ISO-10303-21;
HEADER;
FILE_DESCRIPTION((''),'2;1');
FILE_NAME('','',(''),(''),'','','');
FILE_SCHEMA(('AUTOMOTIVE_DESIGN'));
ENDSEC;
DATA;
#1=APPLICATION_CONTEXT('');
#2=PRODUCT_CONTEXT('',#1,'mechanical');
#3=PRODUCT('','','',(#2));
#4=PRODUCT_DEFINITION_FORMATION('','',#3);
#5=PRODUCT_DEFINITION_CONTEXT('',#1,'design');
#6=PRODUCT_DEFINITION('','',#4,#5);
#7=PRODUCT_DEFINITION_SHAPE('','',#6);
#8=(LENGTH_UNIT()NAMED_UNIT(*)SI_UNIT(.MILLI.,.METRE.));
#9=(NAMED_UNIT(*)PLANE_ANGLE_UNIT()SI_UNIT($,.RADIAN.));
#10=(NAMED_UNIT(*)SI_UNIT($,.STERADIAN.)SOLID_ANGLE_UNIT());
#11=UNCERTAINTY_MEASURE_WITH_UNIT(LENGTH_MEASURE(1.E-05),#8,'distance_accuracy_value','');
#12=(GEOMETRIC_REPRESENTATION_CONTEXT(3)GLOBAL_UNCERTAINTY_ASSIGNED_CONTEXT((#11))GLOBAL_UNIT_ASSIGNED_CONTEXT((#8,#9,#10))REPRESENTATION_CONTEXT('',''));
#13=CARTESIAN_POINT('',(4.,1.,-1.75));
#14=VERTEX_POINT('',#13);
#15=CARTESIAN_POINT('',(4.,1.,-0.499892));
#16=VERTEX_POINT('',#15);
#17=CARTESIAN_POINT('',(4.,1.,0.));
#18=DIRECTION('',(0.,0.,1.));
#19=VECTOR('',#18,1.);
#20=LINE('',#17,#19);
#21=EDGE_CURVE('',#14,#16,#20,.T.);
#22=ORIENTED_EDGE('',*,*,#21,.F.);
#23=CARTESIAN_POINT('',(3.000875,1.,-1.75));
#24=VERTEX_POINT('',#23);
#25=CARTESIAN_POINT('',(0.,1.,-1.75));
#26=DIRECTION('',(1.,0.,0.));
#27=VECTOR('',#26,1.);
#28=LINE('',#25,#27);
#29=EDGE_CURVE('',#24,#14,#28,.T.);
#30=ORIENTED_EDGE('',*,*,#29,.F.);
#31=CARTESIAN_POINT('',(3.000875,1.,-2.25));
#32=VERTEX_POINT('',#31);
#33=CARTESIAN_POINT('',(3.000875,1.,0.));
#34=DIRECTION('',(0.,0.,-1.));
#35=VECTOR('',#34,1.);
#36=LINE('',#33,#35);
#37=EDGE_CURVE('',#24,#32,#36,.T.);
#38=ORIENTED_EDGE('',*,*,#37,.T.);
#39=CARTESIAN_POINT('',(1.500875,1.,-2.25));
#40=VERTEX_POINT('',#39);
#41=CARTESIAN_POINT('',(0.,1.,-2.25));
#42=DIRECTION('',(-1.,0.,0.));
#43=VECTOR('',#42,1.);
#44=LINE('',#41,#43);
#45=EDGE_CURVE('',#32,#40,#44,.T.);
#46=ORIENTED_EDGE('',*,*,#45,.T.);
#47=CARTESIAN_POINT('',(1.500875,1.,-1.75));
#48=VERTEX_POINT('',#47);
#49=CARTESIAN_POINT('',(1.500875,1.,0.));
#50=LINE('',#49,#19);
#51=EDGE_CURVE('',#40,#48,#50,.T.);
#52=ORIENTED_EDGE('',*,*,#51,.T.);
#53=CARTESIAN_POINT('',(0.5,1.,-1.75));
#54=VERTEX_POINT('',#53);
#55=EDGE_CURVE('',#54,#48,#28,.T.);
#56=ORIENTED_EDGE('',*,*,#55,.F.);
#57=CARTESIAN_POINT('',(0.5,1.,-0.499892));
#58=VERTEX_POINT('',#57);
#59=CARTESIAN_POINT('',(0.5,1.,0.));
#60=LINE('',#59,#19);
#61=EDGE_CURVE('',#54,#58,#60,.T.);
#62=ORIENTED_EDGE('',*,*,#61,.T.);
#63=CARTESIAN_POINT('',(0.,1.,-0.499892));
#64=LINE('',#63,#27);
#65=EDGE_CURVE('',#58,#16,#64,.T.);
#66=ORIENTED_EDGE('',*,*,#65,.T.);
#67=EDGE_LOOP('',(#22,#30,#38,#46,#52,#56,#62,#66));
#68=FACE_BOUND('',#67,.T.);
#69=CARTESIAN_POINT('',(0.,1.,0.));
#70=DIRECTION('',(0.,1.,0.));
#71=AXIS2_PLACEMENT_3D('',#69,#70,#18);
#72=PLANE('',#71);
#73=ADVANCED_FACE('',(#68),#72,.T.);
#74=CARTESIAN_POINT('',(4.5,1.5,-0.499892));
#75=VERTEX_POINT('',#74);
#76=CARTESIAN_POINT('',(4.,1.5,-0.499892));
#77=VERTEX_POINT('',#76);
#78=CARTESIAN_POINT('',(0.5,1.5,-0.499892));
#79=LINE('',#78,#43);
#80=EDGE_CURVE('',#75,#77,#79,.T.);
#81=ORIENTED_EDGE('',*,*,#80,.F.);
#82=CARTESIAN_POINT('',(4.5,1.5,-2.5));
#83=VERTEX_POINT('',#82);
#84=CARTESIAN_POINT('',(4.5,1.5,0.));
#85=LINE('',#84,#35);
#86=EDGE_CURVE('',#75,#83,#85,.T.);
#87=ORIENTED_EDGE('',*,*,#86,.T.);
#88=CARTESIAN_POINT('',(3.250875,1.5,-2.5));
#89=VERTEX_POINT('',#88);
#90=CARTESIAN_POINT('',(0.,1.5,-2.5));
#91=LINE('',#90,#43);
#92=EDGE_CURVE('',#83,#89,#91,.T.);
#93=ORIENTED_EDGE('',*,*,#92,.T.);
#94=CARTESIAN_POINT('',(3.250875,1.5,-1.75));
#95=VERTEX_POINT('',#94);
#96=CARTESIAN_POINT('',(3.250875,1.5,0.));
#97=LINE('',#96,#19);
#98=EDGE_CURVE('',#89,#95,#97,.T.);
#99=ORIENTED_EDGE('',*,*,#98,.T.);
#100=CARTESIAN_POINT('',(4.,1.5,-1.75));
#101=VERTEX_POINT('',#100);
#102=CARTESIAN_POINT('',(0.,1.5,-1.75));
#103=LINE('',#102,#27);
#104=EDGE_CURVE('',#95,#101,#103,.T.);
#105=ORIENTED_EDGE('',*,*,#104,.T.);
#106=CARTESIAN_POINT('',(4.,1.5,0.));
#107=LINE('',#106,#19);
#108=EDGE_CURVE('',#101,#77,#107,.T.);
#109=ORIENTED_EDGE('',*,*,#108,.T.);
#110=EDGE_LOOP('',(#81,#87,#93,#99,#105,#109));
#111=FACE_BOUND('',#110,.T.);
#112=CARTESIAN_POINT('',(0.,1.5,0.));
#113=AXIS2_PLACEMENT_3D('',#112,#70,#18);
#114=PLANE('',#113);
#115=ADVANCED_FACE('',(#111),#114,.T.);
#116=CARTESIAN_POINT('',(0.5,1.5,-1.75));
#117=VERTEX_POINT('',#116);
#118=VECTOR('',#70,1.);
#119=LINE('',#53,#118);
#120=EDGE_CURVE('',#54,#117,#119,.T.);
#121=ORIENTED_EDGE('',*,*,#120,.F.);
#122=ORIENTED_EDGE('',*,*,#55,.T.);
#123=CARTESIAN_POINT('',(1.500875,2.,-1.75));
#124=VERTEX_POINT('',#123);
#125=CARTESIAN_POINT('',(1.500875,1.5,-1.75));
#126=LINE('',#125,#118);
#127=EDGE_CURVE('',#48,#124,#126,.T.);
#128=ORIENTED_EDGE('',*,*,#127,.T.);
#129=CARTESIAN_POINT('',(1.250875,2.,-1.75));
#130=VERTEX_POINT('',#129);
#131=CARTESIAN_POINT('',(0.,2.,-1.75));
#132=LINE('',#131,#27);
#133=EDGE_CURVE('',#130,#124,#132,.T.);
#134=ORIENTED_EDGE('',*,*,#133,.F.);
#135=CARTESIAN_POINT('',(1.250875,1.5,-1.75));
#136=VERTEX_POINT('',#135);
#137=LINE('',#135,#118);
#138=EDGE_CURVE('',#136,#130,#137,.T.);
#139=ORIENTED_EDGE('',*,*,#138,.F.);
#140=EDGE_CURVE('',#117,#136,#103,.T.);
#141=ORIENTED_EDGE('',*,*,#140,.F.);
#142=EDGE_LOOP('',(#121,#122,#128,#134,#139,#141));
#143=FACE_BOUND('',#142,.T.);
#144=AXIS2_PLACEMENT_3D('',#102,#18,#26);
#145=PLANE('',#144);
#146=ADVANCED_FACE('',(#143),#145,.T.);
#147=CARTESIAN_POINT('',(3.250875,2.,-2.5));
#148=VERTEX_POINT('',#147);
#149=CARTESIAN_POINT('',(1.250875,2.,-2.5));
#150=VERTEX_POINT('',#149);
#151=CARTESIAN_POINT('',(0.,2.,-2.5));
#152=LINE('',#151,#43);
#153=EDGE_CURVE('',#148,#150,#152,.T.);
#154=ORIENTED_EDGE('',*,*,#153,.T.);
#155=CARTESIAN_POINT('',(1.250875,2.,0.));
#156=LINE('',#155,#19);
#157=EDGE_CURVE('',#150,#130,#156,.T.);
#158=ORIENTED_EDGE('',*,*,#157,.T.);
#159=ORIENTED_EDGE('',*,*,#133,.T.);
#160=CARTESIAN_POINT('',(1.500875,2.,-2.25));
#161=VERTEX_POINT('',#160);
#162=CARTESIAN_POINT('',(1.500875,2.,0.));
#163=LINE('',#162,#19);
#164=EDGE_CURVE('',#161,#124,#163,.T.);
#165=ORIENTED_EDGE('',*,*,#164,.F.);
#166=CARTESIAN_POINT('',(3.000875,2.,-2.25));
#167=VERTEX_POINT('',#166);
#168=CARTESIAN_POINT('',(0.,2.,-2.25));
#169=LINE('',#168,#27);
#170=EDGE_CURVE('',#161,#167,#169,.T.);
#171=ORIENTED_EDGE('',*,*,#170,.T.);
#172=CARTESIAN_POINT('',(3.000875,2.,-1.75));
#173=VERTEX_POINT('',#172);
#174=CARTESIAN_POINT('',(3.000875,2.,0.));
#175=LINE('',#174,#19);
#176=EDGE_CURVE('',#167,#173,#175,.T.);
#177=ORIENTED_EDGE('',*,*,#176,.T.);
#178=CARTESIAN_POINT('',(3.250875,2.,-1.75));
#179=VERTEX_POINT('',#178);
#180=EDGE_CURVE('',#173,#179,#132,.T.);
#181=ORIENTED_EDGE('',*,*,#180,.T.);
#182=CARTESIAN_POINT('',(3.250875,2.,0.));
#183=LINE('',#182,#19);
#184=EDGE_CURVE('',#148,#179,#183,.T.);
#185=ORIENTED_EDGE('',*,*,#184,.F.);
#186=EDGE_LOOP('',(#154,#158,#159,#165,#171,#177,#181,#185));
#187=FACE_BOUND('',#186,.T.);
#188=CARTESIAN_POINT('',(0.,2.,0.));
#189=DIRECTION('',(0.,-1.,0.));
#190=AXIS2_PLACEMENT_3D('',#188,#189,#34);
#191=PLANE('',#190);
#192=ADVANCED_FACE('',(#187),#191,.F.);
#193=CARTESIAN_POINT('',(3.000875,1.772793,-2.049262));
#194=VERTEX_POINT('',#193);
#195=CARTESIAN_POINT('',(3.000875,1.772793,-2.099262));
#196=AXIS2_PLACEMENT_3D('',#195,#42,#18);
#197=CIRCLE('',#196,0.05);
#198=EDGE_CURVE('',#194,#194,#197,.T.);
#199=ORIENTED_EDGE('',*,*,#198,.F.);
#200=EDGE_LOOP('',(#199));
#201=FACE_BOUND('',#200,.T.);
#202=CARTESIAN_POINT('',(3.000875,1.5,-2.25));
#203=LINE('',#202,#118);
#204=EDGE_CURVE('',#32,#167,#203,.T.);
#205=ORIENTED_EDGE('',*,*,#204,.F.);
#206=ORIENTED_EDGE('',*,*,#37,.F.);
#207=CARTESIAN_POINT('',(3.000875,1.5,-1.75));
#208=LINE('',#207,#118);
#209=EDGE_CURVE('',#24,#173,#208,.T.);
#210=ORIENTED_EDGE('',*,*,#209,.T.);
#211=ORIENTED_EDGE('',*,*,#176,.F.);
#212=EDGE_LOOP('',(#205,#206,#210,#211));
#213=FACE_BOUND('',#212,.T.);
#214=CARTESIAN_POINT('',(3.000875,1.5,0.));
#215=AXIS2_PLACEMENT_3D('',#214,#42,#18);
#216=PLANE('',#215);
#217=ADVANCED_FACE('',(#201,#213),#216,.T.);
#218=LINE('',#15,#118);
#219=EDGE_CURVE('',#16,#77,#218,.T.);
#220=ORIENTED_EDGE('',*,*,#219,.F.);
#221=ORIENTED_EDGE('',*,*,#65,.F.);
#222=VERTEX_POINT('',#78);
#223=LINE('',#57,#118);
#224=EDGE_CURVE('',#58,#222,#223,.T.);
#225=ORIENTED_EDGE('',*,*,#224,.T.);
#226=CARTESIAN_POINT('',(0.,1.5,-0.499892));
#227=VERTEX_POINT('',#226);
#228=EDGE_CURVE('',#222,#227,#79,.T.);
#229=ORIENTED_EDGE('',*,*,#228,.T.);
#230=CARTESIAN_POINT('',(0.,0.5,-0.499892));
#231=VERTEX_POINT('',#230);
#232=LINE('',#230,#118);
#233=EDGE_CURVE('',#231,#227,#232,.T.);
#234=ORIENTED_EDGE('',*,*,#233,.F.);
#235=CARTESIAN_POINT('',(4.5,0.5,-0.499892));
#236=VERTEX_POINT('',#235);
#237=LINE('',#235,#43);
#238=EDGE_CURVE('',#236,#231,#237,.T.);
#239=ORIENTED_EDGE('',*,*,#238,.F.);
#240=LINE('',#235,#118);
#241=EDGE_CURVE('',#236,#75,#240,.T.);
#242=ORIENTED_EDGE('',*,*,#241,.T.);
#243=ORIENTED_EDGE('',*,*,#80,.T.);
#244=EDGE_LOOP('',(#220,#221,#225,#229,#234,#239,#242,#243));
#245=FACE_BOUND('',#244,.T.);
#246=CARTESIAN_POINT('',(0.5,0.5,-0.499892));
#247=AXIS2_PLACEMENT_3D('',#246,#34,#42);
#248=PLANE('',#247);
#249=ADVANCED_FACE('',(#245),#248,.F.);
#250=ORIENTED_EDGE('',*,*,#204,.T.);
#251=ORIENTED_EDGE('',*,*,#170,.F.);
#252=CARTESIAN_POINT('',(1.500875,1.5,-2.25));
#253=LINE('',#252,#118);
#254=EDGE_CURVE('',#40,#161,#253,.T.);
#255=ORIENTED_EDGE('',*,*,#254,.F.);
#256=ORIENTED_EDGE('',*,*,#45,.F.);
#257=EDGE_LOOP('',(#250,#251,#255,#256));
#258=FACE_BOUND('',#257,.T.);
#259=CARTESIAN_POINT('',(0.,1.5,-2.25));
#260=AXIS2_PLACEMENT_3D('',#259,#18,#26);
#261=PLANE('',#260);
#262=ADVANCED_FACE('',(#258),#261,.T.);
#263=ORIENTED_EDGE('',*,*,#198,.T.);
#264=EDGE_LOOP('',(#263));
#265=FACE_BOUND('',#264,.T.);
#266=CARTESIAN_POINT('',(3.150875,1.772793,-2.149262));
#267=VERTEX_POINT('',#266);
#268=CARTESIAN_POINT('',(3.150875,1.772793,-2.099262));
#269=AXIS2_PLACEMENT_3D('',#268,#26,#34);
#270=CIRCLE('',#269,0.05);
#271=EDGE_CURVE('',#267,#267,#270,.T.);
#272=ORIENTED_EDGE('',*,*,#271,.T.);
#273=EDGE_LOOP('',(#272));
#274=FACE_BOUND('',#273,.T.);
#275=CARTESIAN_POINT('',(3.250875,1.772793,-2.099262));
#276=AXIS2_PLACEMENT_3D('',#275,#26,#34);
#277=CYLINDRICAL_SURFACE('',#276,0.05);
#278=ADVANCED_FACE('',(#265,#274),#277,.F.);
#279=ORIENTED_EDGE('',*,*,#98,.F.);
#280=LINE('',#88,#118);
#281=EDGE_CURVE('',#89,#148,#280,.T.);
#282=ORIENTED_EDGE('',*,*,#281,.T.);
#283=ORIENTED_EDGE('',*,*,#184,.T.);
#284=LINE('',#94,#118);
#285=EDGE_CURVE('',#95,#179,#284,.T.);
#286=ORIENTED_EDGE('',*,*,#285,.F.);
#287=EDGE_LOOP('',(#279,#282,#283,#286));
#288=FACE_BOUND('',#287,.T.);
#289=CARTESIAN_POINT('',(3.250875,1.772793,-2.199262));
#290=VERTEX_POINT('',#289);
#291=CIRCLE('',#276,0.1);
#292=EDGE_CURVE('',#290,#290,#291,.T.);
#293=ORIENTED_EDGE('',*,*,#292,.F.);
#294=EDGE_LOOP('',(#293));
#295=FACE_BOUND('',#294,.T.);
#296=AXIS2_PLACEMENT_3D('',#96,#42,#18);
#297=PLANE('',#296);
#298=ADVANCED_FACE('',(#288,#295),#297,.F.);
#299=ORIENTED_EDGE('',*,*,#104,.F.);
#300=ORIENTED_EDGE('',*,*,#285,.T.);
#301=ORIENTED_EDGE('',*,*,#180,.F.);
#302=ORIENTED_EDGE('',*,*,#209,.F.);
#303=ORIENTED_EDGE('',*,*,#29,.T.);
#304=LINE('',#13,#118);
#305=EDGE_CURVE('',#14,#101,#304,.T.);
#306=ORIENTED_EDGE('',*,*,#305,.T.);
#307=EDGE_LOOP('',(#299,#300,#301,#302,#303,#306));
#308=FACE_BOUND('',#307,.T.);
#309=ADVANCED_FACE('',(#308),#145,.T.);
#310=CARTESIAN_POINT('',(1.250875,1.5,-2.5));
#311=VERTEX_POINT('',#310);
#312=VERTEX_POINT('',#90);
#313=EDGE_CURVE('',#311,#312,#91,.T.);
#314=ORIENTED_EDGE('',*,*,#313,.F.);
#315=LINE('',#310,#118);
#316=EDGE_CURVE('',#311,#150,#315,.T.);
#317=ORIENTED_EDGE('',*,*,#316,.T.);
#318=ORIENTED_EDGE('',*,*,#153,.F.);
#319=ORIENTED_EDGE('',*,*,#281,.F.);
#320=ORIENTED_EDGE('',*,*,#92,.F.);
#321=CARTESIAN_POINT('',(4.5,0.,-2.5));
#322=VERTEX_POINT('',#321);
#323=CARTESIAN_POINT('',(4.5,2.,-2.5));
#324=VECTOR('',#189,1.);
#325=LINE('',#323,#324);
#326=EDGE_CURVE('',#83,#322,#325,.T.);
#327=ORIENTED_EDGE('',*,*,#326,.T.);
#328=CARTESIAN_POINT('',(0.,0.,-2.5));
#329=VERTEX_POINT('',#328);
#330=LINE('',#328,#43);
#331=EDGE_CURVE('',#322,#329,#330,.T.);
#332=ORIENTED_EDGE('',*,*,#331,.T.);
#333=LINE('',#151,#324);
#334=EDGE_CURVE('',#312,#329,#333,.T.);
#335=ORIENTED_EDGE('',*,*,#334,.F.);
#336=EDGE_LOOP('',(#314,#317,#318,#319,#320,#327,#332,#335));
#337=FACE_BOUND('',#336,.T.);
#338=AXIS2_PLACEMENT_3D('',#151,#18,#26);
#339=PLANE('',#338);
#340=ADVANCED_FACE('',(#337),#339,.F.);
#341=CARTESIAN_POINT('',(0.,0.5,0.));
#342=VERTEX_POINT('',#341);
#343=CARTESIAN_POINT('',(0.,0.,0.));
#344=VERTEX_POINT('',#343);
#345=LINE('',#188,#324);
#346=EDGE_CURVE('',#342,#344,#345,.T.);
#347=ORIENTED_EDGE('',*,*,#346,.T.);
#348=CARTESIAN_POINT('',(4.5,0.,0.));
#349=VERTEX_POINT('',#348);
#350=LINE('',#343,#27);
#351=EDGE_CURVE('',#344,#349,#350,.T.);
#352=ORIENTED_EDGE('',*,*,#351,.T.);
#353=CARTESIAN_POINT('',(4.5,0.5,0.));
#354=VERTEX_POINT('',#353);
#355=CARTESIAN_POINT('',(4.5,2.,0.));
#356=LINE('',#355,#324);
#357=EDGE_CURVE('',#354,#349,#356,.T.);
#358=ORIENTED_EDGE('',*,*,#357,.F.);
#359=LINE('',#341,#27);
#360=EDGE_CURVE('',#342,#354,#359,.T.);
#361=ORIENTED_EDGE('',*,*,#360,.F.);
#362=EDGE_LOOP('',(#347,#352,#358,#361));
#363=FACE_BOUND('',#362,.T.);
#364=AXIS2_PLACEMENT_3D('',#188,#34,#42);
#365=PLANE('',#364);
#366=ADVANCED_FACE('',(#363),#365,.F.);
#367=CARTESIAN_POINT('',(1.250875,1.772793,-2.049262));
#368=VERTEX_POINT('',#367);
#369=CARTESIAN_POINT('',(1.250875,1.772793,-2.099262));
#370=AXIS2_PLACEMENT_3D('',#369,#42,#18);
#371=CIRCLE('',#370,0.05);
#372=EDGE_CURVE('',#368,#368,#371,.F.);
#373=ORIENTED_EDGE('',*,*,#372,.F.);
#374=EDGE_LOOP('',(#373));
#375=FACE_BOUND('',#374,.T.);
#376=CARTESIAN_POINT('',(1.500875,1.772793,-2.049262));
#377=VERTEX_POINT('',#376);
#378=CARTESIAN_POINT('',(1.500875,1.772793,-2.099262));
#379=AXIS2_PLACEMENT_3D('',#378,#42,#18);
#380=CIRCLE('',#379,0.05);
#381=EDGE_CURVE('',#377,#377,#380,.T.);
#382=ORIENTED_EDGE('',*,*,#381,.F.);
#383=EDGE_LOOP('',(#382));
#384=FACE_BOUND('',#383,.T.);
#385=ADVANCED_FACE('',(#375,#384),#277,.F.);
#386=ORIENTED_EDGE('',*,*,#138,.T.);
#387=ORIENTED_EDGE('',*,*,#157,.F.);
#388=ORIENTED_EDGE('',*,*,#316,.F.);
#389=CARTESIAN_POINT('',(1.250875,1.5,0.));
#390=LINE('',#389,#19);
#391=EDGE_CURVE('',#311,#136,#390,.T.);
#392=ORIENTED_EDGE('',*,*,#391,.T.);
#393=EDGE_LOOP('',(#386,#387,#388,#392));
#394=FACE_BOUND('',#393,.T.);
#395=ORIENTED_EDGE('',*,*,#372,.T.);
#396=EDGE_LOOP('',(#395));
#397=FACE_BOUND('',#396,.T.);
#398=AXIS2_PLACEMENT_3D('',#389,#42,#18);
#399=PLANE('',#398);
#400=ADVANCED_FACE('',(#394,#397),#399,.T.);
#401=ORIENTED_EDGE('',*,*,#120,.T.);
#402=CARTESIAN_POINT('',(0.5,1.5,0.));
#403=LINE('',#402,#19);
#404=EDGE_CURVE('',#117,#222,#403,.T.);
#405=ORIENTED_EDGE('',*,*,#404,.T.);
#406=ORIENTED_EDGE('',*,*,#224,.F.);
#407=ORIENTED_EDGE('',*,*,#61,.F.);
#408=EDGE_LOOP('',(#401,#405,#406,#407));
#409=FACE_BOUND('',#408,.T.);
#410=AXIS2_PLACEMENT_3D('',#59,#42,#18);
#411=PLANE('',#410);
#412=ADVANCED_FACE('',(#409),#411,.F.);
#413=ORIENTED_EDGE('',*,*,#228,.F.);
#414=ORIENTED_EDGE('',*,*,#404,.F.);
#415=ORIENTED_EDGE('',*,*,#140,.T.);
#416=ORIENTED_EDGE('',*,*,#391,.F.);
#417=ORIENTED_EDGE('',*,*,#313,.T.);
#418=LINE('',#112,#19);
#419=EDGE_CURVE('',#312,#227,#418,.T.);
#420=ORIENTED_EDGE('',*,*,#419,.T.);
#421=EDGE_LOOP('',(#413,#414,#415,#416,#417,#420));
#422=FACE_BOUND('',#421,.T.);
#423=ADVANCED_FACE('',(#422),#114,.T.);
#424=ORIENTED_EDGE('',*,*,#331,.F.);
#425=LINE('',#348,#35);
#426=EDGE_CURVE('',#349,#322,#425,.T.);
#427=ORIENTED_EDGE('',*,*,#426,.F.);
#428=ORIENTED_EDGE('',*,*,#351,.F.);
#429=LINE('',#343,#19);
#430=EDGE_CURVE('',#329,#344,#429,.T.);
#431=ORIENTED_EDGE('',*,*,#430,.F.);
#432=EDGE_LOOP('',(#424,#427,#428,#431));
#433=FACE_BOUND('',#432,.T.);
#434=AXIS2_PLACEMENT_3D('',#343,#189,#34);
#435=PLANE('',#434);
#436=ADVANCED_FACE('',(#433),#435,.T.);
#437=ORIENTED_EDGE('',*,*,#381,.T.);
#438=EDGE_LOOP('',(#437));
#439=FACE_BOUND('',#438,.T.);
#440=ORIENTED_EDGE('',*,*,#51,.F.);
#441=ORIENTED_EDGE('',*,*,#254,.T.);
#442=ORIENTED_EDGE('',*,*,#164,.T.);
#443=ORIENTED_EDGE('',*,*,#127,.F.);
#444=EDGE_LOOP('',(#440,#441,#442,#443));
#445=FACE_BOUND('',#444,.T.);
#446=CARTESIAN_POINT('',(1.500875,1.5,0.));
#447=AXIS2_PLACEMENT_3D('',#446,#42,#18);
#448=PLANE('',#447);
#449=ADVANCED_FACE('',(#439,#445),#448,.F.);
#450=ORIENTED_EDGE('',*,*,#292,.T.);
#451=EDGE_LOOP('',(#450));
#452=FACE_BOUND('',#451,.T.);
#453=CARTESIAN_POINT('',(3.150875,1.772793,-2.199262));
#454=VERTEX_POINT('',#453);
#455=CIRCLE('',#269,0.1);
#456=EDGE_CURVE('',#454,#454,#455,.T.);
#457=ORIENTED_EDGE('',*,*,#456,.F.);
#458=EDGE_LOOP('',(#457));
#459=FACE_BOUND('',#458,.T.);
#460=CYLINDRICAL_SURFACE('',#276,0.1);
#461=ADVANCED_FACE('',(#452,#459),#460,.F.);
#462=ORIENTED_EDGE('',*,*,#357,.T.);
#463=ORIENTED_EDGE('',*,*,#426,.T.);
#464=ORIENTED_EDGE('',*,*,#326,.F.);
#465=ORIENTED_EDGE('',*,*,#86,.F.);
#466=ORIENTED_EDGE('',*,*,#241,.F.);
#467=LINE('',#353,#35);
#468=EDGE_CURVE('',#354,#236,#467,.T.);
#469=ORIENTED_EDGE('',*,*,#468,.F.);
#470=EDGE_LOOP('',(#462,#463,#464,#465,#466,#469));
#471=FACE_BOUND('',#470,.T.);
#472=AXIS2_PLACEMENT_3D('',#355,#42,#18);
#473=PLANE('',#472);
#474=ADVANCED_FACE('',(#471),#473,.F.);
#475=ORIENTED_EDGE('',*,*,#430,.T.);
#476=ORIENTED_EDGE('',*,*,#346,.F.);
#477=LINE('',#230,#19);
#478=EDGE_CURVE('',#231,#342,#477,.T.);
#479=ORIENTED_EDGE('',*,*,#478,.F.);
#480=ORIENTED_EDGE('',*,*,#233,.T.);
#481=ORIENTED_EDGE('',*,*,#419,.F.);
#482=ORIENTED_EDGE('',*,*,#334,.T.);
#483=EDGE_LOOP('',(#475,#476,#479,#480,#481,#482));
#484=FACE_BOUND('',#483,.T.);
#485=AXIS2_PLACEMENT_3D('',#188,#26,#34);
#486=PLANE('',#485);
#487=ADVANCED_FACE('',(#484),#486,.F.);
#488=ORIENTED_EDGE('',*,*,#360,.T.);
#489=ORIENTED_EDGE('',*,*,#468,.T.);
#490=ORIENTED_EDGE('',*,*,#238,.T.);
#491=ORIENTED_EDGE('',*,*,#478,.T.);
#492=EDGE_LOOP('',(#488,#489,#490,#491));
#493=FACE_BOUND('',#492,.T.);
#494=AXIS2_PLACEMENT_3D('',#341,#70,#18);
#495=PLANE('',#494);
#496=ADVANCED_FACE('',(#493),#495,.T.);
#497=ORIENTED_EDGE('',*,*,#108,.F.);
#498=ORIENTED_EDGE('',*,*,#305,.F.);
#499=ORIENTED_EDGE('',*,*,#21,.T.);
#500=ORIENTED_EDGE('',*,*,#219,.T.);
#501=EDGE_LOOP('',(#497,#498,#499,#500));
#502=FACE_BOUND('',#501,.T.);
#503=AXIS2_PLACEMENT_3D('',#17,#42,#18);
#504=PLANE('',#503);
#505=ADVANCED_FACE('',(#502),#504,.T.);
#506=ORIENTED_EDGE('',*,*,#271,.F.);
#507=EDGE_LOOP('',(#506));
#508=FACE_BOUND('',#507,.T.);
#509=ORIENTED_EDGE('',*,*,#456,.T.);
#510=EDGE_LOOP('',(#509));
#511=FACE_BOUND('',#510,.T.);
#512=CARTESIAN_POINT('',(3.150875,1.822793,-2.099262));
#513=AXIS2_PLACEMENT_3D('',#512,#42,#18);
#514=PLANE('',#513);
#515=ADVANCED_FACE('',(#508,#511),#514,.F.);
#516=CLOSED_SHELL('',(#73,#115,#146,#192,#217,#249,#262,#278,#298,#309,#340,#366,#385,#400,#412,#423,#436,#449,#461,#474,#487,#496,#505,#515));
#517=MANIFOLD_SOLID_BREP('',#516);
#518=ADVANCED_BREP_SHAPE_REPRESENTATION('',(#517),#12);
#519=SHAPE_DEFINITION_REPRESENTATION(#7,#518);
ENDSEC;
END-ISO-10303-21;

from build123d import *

# Parameters (mm, degrees)
SKETCH2_W                                        = 4.5
SKETCH2_H                                        = 2.5
BOSS_EXTRUDE1_DEPTH                              = 2
CUT_EXTRUDE3_DEPTH                               = 0.5
CUT_EXTRUDE5_DEPTH                               = 0.5
CUT_EXTRUDE6_DEPTH                               = 1
CBORE_FOR_M2_HEX_HEAD_MACHINE_SCREW1_D           = 0.1
CBORE_FOR_M2_HEX_HEAD_MACHINE_SCREW1_DEPTH       = 2
CBORE_FOR_M2_HEX_HEAD_MACHINE_SCREW1_CBORE_D     = 0.2
CBORE_FOR_M2_HEX_HEAD_MACHINE_SCREW1_CBORE_DEPTH = 0.1
CBORE_FOR_M2_HEX_HEAD_MACHINE_SCREW1_TIP         = 0.030043031


with BuildPart() as part:
    # Sketch2 → Boss-Extrude1 (new body)
    with BuildSketch(Plane(origin=(0, 0, 0), x_dir=(1, 0, 0), z_dir=(0, 1, 0))):
        with Locations((2.25, 1.25)):
            Rectangle(SKETCH2_W, SKETCH2_H)
    extrude(amount=BOSS_EXTRUDE1_DEPTH)

    # Sketch6 → Cut-Extrude3 (cut)
    with BuildSketch(Plane(origin=(0, 2, 0), x_dir=(1, 0, 0), z_dir=(0, 1, 0))):
        Polygon((3.000874861, 2.25), (1.500874861, 2.25), (1.500874861, 1.75), (1.250874861, 1.75), (1.250874861, 2.5), (0, 2.5), (0, 0), (4.5, 0), (4.5, 2.5), (3.250874861, 2.5), (3.250874861, 1.75), (3.000874861, 1.75), align=None)
    extrude(amount=-CUT_EXTRUDE3_DEPTH, mode=Mode.SUBTRACT)

    # Sketch9 → Cut-Extrude5 (cut)
    with BuildSketch(Plane(origin=(0, 1.5, 0), x_dir=(1, 0, 0), z_dir=(0, 1, 0))):
        Polygon((0.5, 1.75), (0.5, 0.499892289), (4, 0.499892289), (4, 1.75), (3.000874861, 1.75), (3.000874861, 2.25), (1.500874861, 2.25), (1.500874861, 1.75), align=None)
    extrude(amount=-CUT_EXTRUDE5_DEPTH, mode=Mode.SUBTRACT)

    # Sketch10 → Cut-Extrude6 (cut)
    with BuildSketch(Plane(origin=(0, 1.5, 0), x_dir=(1, 0, 0), z_dir=(0, 1, 0))):
        Polygon((0.5, 0.499892289), (0, 0.499892289), (0, 0), (4.5, 0), (4.5, 0.499892289), align=None)
    extrude(amount=-CUT_EXTRUDE6_DEPTH, mode=Mode.SUBTRACT)

    # CBORE for M2 Hex Head Machine Screw1
    with Locations(Plane(origin=(3.250874861, 0, 0), x_dir=(0, 0, -1), z_dir=(1, 0, 0))):
        with Locations((2.099262102, 1.772792527)):
            CounterBoreHole(CBORE_FOR_M2_HEX_HEAD_MACHINE_SCREW1_D / 2, CBORE_FOR_M2_HEX_HEAD_MACHINE_SCREW1_CBORE_D / 2, CBORE_FOR_M2_HEX_HEAD_MACHINE_SCREW1_CBORE_DEPTH, depth=CBORE_FOR_M2_HEX_HEAD_MACHINE_SCREW1_DEPTH)
            with Locations((0, 0, -(CBORE_FOR_M2_HEX_HEAD_MACHINE_SCREW1_DEPTH + CBORE_FOR_M2_HEX_HEAD_MACHINE_SCREW1_TIP / 2))):  # 118° drill point
                Cone(0, CBORE_FOR_M2_HEX_HEAD_MACHINE_SCREW1_D / 2, CBORE_FOR_M2_HEX_HEAD_MACHINE_SCREW1_TIP, mode=Mode.SUBTRACT)


solid = part.part
